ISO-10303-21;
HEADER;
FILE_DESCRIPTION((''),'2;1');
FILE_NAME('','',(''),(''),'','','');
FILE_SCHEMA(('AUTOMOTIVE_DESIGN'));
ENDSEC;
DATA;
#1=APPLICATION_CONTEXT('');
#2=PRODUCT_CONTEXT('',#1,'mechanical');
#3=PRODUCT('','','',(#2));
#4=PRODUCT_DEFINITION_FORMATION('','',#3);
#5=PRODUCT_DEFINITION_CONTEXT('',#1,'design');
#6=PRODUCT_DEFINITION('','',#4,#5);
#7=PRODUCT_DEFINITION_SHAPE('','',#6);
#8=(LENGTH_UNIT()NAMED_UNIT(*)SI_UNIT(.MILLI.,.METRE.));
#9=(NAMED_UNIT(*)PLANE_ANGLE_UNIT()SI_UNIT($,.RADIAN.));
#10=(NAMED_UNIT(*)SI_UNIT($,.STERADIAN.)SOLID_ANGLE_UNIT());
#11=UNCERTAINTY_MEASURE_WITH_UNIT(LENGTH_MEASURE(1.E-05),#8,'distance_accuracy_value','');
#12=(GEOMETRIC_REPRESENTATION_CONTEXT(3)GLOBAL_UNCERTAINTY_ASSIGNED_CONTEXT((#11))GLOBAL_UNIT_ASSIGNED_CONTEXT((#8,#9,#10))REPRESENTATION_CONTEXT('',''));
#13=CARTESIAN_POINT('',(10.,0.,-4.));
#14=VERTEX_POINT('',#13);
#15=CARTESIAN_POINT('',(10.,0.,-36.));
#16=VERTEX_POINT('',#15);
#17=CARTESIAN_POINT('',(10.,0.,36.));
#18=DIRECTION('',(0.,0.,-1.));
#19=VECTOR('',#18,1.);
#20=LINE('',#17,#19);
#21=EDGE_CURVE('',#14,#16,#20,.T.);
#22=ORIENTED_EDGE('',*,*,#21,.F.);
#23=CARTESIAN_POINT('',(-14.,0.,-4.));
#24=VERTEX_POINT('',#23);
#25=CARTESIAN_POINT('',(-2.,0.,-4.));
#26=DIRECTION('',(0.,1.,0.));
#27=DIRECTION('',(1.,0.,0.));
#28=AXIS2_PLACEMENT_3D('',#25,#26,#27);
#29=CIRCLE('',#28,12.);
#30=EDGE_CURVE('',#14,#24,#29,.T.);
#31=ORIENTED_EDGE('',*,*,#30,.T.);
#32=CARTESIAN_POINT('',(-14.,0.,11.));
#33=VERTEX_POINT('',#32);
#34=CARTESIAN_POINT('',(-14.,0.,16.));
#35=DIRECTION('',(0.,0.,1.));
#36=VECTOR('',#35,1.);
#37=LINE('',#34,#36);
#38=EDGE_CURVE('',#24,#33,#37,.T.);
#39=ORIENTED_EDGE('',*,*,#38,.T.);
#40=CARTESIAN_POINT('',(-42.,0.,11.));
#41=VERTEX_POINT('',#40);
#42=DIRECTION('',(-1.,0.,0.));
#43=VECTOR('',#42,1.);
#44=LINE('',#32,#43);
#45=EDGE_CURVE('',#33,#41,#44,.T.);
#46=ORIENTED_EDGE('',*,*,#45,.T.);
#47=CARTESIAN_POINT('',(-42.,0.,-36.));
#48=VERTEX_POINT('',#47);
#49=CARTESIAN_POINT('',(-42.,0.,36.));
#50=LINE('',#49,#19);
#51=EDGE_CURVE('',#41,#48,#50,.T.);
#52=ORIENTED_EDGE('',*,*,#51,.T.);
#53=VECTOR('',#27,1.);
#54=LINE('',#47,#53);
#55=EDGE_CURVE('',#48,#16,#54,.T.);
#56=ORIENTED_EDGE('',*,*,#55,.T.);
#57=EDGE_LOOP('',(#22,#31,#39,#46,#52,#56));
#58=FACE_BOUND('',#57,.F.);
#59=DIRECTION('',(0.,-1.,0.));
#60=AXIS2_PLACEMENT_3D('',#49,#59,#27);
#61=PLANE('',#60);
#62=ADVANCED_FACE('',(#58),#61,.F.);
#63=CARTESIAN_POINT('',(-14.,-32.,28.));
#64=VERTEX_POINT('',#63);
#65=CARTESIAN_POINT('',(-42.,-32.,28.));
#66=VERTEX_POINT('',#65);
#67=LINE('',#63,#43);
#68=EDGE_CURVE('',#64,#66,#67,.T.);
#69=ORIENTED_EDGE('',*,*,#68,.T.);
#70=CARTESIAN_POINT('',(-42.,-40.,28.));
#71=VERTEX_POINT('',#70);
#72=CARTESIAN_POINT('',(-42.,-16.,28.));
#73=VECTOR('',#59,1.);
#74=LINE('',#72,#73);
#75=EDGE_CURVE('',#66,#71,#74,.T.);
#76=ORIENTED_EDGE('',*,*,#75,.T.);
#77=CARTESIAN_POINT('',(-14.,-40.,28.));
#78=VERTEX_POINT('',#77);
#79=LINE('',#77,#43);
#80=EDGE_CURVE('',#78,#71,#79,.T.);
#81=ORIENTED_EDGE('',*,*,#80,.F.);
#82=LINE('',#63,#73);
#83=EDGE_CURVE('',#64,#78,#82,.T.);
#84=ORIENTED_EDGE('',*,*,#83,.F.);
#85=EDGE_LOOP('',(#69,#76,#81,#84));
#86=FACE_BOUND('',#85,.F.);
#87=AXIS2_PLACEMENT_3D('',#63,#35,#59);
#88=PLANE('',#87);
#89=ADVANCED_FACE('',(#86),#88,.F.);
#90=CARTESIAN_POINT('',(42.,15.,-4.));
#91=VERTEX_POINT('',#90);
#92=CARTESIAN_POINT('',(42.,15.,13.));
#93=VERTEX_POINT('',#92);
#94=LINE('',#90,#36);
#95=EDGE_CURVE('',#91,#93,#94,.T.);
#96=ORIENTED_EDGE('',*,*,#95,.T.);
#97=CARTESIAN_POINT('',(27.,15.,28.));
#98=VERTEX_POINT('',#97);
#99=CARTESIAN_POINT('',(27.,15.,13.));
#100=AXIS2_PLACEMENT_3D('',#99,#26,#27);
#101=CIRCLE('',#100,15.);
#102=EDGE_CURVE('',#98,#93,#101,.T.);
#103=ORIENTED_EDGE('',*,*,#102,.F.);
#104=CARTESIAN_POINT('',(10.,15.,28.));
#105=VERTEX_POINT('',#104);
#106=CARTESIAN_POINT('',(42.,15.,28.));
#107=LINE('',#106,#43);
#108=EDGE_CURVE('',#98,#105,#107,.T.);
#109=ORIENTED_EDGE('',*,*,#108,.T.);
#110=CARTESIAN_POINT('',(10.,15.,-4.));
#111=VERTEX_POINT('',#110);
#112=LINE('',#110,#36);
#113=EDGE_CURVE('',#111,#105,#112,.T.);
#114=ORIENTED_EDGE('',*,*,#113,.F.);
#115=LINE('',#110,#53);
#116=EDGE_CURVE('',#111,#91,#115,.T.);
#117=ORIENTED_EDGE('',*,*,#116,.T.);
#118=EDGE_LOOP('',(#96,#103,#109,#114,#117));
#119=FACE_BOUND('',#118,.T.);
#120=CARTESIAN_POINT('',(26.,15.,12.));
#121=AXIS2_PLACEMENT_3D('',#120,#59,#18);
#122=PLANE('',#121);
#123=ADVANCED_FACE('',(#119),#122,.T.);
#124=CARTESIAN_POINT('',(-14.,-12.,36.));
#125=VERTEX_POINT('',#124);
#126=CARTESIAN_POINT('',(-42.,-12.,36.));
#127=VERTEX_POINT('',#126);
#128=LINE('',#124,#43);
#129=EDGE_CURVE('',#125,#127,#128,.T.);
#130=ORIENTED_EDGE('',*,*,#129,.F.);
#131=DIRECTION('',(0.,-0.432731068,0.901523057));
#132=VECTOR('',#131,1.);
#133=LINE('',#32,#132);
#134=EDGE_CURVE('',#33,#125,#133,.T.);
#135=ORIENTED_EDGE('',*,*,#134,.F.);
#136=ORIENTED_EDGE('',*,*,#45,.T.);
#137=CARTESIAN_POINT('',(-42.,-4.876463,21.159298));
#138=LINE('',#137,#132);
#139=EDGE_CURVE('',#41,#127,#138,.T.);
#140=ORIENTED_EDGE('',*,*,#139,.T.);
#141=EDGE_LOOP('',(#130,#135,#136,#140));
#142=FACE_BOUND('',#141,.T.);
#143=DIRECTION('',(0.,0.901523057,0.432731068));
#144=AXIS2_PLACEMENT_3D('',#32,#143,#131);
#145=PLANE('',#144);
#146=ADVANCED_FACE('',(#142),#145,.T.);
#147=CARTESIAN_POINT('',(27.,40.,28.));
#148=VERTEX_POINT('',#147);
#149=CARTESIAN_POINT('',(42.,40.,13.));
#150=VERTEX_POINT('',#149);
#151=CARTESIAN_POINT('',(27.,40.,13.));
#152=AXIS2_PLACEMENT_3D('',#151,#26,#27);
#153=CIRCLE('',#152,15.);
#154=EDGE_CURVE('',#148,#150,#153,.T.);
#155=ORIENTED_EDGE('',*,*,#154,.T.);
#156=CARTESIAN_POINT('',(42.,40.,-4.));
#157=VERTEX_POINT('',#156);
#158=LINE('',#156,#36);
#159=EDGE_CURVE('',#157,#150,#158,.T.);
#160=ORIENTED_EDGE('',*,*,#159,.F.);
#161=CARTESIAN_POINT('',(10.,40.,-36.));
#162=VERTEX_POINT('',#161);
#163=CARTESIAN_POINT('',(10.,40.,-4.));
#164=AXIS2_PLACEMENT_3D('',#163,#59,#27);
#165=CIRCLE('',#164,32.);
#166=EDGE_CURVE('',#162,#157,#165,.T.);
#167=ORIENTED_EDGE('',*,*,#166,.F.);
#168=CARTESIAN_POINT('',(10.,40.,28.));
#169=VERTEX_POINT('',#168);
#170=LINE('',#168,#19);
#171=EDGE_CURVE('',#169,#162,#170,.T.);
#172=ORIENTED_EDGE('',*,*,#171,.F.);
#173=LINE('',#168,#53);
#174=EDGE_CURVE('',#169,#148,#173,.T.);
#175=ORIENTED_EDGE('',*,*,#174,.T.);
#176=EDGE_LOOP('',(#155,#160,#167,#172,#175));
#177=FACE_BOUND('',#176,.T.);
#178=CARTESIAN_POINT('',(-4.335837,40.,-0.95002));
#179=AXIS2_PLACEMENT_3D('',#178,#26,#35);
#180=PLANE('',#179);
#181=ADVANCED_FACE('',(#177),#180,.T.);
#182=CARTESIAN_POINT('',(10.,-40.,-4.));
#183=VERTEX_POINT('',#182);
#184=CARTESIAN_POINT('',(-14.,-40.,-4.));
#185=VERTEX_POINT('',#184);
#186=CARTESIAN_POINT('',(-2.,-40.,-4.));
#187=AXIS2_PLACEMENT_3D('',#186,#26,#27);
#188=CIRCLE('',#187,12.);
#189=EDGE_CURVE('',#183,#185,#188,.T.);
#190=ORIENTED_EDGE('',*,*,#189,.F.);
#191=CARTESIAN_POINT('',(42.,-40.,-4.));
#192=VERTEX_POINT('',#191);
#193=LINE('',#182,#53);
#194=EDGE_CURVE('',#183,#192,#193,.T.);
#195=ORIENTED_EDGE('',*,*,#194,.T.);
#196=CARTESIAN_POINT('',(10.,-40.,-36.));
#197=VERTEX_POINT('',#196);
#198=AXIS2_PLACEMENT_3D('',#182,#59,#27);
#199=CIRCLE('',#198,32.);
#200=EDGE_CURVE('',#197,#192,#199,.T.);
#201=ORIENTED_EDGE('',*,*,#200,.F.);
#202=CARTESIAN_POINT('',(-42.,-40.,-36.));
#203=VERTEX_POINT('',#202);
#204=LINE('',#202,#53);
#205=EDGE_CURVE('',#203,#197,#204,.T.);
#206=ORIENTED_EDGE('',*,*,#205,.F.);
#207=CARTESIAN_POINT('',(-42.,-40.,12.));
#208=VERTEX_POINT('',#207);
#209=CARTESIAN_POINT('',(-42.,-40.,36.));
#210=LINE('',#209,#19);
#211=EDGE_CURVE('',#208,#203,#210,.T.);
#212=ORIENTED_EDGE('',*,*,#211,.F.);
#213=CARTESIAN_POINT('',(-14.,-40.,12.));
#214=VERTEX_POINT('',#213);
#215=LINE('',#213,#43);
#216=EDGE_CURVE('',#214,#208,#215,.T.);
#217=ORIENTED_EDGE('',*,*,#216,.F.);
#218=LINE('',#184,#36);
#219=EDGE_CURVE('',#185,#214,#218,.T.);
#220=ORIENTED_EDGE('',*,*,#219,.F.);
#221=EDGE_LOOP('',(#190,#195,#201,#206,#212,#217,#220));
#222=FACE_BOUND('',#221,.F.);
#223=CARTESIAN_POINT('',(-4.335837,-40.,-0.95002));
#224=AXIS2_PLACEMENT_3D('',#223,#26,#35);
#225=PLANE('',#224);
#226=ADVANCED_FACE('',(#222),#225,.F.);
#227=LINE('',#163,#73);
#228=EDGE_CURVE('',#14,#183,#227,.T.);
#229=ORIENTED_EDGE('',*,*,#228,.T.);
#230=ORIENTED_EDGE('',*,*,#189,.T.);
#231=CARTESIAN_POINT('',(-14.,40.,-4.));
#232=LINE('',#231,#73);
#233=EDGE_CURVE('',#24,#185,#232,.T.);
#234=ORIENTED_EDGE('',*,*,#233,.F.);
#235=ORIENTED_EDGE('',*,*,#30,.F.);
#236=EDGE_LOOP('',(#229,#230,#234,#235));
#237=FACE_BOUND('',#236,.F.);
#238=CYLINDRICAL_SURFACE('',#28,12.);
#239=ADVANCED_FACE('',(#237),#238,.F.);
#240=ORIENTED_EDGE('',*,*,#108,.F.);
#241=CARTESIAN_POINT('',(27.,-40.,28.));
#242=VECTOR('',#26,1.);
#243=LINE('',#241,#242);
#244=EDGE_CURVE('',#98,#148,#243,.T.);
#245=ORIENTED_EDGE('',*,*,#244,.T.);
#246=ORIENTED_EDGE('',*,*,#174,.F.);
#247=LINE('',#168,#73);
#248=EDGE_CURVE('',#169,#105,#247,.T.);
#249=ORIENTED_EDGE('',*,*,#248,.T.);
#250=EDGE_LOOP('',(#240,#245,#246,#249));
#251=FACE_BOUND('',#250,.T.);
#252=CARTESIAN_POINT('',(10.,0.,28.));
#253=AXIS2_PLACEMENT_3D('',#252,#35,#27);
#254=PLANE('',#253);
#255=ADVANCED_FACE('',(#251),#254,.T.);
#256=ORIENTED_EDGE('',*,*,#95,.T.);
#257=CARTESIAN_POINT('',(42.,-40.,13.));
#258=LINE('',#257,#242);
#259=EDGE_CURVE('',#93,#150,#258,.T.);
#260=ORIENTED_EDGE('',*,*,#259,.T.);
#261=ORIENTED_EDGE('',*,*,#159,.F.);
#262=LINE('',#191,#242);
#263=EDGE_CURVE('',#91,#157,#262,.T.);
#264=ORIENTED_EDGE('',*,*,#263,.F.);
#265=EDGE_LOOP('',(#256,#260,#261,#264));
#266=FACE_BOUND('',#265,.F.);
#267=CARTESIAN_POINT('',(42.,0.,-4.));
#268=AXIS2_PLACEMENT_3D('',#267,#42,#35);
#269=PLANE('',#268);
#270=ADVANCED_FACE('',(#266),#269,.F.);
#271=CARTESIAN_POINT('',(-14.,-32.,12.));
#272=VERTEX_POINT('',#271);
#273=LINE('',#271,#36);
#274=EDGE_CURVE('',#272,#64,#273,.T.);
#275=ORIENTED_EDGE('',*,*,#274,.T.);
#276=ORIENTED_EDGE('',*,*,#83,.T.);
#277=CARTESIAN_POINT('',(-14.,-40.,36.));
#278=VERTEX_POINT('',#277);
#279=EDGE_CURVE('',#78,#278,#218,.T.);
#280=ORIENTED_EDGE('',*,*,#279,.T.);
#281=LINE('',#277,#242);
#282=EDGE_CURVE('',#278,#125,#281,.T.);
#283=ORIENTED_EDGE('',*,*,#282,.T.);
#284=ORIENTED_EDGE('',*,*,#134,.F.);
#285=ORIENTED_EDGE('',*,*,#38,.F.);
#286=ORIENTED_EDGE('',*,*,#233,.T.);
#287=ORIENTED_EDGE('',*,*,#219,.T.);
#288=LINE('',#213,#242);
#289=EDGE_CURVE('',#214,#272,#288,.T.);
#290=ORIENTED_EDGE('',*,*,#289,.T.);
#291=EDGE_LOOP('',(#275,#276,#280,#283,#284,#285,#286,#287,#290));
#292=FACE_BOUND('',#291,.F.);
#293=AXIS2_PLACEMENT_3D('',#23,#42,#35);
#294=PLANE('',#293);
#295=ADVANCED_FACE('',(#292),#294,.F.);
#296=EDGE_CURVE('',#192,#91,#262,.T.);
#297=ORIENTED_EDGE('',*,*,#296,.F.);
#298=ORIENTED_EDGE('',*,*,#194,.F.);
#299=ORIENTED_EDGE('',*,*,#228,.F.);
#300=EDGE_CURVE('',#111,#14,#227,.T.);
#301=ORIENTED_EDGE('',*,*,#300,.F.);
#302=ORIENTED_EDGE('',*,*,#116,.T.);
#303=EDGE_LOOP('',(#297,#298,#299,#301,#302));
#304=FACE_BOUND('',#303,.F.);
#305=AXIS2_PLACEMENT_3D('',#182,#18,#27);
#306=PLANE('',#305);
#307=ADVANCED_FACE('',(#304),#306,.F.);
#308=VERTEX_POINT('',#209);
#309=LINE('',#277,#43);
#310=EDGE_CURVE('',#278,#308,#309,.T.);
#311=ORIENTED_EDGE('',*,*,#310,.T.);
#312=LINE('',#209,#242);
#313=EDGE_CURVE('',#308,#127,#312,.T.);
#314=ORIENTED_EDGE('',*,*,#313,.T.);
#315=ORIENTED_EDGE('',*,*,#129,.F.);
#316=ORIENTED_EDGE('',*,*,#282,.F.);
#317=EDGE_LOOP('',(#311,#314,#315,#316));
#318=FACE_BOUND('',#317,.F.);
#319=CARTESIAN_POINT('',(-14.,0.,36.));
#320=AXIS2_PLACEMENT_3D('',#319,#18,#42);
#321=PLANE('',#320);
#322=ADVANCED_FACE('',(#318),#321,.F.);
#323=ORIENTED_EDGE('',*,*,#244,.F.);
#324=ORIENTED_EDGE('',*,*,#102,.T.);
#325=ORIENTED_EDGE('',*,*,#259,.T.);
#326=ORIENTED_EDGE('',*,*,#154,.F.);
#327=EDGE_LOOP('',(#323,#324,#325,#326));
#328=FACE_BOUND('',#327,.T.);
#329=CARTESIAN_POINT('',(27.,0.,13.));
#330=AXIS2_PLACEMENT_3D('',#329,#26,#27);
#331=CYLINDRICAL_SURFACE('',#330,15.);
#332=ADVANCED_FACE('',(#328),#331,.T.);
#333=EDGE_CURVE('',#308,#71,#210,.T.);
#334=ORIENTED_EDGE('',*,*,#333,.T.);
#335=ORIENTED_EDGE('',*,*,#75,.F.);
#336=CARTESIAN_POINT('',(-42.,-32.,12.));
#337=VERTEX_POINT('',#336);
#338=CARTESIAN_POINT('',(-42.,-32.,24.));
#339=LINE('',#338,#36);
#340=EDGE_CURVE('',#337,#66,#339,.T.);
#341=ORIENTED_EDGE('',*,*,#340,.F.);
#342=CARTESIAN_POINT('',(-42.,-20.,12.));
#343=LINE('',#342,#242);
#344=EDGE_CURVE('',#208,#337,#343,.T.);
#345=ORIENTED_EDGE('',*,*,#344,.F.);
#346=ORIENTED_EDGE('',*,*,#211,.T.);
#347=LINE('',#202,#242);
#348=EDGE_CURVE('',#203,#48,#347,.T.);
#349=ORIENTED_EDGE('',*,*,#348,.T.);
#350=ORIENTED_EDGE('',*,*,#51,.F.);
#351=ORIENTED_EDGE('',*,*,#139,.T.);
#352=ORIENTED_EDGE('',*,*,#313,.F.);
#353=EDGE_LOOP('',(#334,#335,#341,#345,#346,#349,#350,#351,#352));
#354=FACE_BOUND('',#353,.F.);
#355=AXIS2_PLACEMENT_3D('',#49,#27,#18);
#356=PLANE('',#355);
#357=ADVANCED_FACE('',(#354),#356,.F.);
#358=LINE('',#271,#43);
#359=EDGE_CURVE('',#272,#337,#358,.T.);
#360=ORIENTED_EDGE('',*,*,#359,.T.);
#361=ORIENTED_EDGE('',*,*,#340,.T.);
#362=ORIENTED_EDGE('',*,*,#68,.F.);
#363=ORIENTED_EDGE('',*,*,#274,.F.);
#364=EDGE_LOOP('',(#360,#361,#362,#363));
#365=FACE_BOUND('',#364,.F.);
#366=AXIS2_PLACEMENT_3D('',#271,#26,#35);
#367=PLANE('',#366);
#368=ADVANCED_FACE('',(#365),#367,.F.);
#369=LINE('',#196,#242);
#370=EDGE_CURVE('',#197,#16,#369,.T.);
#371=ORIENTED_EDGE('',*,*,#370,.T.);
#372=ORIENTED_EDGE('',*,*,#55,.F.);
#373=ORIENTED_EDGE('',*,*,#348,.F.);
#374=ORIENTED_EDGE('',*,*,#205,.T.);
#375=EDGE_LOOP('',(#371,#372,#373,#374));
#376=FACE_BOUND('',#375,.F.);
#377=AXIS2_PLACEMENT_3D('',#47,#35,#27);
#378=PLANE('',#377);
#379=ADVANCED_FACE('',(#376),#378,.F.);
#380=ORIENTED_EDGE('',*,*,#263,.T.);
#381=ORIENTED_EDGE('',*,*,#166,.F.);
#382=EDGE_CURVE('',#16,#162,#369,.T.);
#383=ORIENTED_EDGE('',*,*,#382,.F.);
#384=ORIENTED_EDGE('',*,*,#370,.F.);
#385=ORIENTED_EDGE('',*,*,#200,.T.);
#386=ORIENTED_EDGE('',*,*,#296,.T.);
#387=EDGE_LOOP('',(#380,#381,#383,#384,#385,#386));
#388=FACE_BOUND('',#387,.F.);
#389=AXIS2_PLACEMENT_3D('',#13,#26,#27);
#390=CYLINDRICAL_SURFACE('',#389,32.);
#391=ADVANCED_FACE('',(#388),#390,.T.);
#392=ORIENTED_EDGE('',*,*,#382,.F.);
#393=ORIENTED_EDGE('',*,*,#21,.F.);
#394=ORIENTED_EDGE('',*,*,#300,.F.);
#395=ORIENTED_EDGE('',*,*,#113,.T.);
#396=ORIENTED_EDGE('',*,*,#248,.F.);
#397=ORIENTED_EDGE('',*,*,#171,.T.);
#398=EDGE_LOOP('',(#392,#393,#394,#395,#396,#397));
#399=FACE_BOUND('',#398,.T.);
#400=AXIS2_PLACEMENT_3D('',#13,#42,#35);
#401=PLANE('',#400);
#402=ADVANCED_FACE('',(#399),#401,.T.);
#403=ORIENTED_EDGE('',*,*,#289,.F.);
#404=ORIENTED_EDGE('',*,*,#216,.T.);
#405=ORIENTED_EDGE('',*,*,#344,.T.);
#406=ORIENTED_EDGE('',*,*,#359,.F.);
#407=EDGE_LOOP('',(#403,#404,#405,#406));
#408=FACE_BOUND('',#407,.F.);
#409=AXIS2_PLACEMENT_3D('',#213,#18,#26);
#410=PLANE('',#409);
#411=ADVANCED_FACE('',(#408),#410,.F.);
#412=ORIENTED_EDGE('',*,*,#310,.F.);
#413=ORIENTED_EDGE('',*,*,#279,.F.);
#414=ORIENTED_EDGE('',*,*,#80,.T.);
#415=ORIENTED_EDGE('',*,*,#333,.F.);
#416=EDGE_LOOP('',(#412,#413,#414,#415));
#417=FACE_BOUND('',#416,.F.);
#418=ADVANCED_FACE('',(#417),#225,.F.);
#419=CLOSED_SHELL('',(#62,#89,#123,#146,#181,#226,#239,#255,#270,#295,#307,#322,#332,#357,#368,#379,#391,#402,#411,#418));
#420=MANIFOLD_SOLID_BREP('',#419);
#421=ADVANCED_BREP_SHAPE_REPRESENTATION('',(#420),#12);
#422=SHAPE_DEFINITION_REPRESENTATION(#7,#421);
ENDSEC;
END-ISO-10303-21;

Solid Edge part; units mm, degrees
sketch "Sketch1" plane through (0, 0, 0) normal (0, -1, 0) x (1, 0, 0)
  line L0 (10, 28) -> (27, 28)
  arc A0 (27, 28) -> (42, 13) centre (27, 13) cw
  line L1 (42, -4) -> (42, 13)
  arc A1 (10, -36) -> (42, -4) centre (10, -4) ccw
  line L2 (-42, -36) -> (10, -36)
  line L3 (-42, 36) -> (-42, -36)
  line L4 (-14, 36) -> (-42, 36)
  line L5 (-14, -4) -> (-14, 36)
  line L6 (10, -4) -> (10, 28)
  arc A2 (10, -4) -> (-14, -4) centre (-2, -4) cw
extrude "Protrusion1" add sketch "Sketch1" along normal mid plane 80
sketch "Sketch2" plane through (0, -40, 0) normal (0, -1, 0) x (1, 0, 0)
  line L0 (42, 0) -> (42, 28)
  line L1 (42, 28) -> (10, 28)
  line L2 (10, 28) -> (10, 0)
  line L3 (10, 0) -> (10, -4)
  line L4 (10, -4) -> (42, -4)
  line L5 (42, -4) -> (42, 0)
extrude "ExtrudedCutout_1" cut sketch "Sketch2" against normal blind 55
sketch "Sketch3" plane through (-28, 0, 36) normal (0, 0, 1) x (0, 1, 0)
  line L0 (0, -38) -> (40, -38)
  line L1 (40, -38) -> (40, 14)
  line L2 (40, 14) -> (0, 14)
  line L3 (0, 14) -> (0, -38)
extrude "ExtrudedCutout_2" cut sketch "Sketch3" against normal blind 83.9789
sketch "Sketch4" plane through (-14, -20, 16) normal (1, 0, 0) x (0, 1, 0)
  line L0 (-12, -4) -> (-12, 12)
  line L1 (-12, 12) -> (-20, 12)
  line L2 (-20, 12) -> (-20, -4)
  line L3 (-20, -4) -> (-12, -4)
  line L4 (20, -5) -> (8, 20)
  line L5 (20, 20) -> (8, 20)
  line L6 (20, 20) -> (20, -5)
extrude "ExtrudedCutout_3" cut sketch "Sketch4" against normal blind 38.9085
